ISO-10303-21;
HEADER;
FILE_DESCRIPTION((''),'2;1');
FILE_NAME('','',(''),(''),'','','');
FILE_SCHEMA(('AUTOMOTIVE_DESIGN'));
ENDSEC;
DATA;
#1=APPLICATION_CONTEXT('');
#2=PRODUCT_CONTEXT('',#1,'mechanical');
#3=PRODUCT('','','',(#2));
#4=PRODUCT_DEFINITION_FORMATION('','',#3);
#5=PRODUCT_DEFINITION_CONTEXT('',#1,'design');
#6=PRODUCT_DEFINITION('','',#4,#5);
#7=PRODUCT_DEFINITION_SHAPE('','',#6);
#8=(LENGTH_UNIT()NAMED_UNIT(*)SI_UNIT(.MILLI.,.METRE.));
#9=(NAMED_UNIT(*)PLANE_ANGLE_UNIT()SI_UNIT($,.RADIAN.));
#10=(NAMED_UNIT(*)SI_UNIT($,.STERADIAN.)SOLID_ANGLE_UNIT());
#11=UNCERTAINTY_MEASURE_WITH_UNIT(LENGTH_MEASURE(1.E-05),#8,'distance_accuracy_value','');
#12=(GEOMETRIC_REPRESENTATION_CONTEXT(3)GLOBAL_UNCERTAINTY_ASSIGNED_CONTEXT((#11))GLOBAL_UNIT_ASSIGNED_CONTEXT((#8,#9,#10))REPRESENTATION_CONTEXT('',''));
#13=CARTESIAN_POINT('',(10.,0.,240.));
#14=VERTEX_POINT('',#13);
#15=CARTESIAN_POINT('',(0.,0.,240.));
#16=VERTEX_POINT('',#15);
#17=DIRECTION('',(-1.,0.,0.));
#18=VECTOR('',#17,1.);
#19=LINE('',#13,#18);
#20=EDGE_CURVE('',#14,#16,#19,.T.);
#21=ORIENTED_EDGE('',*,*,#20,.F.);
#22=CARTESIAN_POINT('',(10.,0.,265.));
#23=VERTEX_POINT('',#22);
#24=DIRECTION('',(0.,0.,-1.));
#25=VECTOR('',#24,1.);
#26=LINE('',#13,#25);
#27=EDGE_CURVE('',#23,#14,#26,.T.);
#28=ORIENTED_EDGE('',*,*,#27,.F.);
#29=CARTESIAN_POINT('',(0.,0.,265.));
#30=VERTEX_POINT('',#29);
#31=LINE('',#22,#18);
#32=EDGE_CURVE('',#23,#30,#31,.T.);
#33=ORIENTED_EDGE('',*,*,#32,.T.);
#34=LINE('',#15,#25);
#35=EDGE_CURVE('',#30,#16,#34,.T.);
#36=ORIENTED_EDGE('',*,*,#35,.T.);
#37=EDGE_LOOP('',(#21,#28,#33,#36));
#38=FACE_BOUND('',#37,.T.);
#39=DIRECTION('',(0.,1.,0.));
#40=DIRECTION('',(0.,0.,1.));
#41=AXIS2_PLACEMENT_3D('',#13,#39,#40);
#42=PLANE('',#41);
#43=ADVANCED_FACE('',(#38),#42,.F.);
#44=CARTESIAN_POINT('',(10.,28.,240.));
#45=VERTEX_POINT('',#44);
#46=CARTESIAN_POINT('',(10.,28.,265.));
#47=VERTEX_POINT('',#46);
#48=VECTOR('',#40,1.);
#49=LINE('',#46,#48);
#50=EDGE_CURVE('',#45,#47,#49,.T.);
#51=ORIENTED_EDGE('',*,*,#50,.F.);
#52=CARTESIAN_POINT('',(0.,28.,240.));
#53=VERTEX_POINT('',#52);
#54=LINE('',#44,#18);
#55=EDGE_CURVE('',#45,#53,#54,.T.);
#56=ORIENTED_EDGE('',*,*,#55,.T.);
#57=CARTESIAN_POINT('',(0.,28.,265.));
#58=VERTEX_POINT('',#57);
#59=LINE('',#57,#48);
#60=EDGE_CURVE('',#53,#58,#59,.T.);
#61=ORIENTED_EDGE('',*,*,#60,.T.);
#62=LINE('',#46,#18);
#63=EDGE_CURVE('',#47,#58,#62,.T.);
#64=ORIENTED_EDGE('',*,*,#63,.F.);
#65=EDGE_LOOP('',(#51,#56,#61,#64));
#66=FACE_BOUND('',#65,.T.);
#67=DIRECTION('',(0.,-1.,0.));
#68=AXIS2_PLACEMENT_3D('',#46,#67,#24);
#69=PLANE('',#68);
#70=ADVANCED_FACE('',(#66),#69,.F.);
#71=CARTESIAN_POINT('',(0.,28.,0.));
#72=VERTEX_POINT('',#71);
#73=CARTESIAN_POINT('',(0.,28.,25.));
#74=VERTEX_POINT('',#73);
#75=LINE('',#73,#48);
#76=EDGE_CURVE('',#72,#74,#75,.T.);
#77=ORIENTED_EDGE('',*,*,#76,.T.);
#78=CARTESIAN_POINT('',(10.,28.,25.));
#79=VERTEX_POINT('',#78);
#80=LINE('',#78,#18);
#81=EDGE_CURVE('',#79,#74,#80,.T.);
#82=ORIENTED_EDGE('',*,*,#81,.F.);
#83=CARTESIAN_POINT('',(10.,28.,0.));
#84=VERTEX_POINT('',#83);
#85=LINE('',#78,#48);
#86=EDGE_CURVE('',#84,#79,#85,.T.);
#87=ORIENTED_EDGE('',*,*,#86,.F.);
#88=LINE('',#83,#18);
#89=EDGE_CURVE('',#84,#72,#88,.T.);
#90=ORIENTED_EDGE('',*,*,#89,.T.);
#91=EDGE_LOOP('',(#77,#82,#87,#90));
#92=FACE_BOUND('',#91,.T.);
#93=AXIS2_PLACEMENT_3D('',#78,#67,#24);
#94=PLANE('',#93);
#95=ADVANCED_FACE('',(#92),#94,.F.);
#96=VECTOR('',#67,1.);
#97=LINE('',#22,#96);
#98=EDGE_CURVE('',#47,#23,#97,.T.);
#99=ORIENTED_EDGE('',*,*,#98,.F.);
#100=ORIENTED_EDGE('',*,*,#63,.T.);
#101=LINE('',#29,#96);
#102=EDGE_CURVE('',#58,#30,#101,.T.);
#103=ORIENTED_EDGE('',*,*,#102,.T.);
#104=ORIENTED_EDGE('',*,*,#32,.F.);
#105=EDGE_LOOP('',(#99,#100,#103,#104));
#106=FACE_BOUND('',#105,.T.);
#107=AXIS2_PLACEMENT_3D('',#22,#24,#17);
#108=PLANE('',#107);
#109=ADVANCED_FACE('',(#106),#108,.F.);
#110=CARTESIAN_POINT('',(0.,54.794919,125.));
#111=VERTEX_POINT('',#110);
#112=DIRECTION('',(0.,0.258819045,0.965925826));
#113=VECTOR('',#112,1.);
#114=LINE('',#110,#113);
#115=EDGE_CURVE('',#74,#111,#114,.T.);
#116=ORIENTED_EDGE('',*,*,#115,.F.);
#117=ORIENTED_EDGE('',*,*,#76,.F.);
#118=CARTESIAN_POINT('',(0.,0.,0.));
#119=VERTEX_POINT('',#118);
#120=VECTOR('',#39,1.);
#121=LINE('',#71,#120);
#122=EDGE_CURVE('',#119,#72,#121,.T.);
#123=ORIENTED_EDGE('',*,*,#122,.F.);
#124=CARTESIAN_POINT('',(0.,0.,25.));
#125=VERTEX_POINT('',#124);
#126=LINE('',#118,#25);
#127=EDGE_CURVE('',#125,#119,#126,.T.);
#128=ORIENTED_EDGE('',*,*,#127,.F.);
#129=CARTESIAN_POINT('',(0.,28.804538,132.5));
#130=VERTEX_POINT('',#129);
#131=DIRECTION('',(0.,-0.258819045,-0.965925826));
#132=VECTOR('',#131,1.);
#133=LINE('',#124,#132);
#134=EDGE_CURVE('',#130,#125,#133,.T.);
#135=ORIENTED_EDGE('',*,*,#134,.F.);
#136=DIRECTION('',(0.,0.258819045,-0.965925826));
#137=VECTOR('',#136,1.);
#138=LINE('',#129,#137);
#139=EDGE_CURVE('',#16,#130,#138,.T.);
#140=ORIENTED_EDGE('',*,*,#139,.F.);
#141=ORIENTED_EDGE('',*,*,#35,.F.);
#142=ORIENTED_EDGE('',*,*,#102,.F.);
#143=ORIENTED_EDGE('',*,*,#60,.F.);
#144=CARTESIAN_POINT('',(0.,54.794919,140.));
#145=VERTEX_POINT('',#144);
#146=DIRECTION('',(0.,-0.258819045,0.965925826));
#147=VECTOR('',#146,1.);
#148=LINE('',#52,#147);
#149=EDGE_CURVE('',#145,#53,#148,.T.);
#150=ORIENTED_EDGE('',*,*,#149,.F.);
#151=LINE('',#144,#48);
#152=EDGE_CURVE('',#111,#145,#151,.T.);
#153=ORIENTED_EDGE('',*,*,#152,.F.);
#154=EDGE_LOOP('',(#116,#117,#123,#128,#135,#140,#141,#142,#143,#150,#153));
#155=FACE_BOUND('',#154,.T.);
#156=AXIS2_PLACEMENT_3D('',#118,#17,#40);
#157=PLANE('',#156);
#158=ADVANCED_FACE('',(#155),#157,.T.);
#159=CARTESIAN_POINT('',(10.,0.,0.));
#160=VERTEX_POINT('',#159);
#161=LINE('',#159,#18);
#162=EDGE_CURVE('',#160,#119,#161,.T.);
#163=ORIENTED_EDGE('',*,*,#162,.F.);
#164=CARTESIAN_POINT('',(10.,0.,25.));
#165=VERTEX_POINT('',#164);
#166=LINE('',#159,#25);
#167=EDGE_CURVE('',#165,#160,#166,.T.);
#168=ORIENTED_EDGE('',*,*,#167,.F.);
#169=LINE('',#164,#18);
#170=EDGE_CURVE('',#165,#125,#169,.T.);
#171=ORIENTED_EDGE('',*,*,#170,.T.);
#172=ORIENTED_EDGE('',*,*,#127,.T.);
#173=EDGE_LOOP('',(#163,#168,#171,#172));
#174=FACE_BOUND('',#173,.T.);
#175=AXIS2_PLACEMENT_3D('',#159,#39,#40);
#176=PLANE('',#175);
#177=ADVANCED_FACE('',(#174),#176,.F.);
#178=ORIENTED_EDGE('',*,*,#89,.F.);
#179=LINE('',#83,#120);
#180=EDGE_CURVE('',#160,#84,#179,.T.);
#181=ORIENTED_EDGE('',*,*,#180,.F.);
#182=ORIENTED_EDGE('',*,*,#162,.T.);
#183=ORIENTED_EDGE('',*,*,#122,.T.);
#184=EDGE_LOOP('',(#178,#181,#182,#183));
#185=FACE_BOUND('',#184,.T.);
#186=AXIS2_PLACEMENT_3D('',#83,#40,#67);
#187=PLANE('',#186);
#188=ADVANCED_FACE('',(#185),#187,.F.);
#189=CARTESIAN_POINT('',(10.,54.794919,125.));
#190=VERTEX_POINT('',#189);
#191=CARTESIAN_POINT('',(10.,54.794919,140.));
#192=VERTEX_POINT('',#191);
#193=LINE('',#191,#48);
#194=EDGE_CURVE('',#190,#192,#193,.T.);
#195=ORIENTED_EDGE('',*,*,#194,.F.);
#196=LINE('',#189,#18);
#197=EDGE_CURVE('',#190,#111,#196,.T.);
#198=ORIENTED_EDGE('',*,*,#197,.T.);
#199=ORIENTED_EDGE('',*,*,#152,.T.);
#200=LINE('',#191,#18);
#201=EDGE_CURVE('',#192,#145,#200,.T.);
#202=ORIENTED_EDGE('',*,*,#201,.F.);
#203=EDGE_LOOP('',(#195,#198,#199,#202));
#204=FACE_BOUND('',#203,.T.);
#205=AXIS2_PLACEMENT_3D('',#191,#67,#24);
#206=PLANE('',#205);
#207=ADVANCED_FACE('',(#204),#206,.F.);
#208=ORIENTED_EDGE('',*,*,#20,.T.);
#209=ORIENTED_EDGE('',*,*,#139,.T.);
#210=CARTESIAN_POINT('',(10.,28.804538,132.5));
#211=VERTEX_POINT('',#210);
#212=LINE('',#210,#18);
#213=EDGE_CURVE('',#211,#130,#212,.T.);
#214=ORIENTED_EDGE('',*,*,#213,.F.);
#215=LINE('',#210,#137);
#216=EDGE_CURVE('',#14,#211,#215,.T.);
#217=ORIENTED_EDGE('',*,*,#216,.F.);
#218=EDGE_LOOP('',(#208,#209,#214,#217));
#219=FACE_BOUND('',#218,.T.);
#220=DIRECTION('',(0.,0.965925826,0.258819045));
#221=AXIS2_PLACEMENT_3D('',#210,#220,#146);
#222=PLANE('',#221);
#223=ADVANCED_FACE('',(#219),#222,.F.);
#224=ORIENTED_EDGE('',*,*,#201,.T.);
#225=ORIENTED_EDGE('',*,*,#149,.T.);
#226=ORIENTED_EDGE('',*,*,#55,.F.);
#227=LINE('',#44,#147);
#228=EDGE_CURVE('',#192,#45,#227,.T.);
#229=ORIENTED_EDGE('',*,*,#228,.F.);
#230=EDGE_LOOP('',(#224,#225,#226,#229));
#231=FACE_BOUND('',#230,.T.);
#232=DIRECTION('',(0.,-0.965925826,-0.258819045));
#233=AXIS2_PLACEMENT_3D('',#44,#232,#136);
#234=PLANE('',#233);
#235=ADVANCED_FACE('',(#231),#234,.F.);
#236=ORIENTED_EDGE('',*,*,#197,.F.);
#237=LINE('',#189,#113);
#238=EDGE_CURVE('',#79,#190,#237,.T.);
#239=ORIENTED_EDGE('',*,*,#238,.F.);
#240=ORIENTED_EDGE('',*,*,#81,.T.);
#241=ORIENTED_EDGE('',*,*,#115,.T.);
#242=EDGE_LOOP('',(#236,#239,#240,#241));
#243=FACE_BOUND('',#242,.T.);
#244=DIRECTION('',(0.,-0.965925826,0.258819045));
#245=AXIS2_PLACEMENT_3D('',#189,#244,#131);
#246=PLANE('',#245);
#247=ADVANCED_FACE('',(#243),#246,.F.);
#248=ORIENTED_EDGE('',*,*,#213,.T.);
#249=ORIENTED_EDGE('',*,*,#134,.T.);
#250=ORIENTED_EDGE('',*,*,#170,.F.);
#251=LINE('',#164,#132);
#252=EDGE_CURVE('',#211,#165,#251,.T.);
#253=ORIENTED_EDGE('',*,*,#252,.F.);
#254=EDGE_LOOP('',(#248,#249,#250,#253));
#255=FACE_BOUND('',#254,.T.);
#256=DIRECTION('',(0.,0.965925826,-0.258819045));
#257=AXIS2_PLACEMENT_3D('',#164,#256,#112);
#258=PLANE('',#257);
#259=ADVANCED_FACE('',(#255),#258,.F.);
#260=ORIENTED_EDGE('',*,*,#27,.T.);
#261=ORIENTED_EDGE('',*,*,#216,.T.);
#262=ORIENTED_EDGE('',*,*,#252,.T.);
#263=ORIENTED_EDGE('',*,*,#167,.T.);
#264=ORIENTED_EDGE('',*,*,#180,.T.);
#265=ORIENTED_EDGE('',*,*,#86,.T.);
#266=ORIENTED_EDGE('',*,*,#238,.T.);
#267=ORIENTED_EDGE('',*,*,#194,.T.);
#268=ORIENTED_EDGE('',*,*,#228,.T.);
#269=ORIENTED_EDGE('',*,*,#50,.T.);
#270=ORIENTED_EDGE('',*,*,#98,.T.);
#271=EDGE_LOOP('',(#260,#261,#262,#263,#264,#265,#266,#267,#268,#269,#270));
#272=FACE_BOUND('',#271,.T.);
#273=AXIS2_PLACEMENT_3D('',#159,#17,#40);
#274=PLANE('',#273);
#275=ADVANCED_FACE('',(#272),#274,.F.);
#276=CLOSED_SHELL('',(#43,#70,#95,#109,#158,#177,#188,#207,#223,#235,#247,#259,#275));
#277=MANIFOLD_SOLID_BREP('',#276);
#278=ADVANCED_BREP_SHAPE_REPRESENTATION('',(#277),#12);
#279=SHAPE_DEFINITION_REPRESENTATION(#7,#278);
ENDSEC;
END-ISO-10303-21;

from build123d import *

# Parameters (mm, degrees)
BOSS_EXTRUDE1_DEPTH = 10


with BuildPart() as part:
    # Sketch1 → Boss-Extrude1 (new body)
    with BuildSketch(Plane(origin=(0, 0, 0), x_dir=(0, 0, -1), z_dir=(1, 0, 0))):
        Polygon((0, 0), (-25, 0), (-132.5, 28.804538186), (-240, 0), (-265, 0), (-265, 28), (-240, 28), (-140, 54.794919243), (-125, 54.794919243), (-25, 28), (0, 28), align=None)
    extrude(amount=BOSS_EXTRUDE1_DEPTH)


solid = part.part
